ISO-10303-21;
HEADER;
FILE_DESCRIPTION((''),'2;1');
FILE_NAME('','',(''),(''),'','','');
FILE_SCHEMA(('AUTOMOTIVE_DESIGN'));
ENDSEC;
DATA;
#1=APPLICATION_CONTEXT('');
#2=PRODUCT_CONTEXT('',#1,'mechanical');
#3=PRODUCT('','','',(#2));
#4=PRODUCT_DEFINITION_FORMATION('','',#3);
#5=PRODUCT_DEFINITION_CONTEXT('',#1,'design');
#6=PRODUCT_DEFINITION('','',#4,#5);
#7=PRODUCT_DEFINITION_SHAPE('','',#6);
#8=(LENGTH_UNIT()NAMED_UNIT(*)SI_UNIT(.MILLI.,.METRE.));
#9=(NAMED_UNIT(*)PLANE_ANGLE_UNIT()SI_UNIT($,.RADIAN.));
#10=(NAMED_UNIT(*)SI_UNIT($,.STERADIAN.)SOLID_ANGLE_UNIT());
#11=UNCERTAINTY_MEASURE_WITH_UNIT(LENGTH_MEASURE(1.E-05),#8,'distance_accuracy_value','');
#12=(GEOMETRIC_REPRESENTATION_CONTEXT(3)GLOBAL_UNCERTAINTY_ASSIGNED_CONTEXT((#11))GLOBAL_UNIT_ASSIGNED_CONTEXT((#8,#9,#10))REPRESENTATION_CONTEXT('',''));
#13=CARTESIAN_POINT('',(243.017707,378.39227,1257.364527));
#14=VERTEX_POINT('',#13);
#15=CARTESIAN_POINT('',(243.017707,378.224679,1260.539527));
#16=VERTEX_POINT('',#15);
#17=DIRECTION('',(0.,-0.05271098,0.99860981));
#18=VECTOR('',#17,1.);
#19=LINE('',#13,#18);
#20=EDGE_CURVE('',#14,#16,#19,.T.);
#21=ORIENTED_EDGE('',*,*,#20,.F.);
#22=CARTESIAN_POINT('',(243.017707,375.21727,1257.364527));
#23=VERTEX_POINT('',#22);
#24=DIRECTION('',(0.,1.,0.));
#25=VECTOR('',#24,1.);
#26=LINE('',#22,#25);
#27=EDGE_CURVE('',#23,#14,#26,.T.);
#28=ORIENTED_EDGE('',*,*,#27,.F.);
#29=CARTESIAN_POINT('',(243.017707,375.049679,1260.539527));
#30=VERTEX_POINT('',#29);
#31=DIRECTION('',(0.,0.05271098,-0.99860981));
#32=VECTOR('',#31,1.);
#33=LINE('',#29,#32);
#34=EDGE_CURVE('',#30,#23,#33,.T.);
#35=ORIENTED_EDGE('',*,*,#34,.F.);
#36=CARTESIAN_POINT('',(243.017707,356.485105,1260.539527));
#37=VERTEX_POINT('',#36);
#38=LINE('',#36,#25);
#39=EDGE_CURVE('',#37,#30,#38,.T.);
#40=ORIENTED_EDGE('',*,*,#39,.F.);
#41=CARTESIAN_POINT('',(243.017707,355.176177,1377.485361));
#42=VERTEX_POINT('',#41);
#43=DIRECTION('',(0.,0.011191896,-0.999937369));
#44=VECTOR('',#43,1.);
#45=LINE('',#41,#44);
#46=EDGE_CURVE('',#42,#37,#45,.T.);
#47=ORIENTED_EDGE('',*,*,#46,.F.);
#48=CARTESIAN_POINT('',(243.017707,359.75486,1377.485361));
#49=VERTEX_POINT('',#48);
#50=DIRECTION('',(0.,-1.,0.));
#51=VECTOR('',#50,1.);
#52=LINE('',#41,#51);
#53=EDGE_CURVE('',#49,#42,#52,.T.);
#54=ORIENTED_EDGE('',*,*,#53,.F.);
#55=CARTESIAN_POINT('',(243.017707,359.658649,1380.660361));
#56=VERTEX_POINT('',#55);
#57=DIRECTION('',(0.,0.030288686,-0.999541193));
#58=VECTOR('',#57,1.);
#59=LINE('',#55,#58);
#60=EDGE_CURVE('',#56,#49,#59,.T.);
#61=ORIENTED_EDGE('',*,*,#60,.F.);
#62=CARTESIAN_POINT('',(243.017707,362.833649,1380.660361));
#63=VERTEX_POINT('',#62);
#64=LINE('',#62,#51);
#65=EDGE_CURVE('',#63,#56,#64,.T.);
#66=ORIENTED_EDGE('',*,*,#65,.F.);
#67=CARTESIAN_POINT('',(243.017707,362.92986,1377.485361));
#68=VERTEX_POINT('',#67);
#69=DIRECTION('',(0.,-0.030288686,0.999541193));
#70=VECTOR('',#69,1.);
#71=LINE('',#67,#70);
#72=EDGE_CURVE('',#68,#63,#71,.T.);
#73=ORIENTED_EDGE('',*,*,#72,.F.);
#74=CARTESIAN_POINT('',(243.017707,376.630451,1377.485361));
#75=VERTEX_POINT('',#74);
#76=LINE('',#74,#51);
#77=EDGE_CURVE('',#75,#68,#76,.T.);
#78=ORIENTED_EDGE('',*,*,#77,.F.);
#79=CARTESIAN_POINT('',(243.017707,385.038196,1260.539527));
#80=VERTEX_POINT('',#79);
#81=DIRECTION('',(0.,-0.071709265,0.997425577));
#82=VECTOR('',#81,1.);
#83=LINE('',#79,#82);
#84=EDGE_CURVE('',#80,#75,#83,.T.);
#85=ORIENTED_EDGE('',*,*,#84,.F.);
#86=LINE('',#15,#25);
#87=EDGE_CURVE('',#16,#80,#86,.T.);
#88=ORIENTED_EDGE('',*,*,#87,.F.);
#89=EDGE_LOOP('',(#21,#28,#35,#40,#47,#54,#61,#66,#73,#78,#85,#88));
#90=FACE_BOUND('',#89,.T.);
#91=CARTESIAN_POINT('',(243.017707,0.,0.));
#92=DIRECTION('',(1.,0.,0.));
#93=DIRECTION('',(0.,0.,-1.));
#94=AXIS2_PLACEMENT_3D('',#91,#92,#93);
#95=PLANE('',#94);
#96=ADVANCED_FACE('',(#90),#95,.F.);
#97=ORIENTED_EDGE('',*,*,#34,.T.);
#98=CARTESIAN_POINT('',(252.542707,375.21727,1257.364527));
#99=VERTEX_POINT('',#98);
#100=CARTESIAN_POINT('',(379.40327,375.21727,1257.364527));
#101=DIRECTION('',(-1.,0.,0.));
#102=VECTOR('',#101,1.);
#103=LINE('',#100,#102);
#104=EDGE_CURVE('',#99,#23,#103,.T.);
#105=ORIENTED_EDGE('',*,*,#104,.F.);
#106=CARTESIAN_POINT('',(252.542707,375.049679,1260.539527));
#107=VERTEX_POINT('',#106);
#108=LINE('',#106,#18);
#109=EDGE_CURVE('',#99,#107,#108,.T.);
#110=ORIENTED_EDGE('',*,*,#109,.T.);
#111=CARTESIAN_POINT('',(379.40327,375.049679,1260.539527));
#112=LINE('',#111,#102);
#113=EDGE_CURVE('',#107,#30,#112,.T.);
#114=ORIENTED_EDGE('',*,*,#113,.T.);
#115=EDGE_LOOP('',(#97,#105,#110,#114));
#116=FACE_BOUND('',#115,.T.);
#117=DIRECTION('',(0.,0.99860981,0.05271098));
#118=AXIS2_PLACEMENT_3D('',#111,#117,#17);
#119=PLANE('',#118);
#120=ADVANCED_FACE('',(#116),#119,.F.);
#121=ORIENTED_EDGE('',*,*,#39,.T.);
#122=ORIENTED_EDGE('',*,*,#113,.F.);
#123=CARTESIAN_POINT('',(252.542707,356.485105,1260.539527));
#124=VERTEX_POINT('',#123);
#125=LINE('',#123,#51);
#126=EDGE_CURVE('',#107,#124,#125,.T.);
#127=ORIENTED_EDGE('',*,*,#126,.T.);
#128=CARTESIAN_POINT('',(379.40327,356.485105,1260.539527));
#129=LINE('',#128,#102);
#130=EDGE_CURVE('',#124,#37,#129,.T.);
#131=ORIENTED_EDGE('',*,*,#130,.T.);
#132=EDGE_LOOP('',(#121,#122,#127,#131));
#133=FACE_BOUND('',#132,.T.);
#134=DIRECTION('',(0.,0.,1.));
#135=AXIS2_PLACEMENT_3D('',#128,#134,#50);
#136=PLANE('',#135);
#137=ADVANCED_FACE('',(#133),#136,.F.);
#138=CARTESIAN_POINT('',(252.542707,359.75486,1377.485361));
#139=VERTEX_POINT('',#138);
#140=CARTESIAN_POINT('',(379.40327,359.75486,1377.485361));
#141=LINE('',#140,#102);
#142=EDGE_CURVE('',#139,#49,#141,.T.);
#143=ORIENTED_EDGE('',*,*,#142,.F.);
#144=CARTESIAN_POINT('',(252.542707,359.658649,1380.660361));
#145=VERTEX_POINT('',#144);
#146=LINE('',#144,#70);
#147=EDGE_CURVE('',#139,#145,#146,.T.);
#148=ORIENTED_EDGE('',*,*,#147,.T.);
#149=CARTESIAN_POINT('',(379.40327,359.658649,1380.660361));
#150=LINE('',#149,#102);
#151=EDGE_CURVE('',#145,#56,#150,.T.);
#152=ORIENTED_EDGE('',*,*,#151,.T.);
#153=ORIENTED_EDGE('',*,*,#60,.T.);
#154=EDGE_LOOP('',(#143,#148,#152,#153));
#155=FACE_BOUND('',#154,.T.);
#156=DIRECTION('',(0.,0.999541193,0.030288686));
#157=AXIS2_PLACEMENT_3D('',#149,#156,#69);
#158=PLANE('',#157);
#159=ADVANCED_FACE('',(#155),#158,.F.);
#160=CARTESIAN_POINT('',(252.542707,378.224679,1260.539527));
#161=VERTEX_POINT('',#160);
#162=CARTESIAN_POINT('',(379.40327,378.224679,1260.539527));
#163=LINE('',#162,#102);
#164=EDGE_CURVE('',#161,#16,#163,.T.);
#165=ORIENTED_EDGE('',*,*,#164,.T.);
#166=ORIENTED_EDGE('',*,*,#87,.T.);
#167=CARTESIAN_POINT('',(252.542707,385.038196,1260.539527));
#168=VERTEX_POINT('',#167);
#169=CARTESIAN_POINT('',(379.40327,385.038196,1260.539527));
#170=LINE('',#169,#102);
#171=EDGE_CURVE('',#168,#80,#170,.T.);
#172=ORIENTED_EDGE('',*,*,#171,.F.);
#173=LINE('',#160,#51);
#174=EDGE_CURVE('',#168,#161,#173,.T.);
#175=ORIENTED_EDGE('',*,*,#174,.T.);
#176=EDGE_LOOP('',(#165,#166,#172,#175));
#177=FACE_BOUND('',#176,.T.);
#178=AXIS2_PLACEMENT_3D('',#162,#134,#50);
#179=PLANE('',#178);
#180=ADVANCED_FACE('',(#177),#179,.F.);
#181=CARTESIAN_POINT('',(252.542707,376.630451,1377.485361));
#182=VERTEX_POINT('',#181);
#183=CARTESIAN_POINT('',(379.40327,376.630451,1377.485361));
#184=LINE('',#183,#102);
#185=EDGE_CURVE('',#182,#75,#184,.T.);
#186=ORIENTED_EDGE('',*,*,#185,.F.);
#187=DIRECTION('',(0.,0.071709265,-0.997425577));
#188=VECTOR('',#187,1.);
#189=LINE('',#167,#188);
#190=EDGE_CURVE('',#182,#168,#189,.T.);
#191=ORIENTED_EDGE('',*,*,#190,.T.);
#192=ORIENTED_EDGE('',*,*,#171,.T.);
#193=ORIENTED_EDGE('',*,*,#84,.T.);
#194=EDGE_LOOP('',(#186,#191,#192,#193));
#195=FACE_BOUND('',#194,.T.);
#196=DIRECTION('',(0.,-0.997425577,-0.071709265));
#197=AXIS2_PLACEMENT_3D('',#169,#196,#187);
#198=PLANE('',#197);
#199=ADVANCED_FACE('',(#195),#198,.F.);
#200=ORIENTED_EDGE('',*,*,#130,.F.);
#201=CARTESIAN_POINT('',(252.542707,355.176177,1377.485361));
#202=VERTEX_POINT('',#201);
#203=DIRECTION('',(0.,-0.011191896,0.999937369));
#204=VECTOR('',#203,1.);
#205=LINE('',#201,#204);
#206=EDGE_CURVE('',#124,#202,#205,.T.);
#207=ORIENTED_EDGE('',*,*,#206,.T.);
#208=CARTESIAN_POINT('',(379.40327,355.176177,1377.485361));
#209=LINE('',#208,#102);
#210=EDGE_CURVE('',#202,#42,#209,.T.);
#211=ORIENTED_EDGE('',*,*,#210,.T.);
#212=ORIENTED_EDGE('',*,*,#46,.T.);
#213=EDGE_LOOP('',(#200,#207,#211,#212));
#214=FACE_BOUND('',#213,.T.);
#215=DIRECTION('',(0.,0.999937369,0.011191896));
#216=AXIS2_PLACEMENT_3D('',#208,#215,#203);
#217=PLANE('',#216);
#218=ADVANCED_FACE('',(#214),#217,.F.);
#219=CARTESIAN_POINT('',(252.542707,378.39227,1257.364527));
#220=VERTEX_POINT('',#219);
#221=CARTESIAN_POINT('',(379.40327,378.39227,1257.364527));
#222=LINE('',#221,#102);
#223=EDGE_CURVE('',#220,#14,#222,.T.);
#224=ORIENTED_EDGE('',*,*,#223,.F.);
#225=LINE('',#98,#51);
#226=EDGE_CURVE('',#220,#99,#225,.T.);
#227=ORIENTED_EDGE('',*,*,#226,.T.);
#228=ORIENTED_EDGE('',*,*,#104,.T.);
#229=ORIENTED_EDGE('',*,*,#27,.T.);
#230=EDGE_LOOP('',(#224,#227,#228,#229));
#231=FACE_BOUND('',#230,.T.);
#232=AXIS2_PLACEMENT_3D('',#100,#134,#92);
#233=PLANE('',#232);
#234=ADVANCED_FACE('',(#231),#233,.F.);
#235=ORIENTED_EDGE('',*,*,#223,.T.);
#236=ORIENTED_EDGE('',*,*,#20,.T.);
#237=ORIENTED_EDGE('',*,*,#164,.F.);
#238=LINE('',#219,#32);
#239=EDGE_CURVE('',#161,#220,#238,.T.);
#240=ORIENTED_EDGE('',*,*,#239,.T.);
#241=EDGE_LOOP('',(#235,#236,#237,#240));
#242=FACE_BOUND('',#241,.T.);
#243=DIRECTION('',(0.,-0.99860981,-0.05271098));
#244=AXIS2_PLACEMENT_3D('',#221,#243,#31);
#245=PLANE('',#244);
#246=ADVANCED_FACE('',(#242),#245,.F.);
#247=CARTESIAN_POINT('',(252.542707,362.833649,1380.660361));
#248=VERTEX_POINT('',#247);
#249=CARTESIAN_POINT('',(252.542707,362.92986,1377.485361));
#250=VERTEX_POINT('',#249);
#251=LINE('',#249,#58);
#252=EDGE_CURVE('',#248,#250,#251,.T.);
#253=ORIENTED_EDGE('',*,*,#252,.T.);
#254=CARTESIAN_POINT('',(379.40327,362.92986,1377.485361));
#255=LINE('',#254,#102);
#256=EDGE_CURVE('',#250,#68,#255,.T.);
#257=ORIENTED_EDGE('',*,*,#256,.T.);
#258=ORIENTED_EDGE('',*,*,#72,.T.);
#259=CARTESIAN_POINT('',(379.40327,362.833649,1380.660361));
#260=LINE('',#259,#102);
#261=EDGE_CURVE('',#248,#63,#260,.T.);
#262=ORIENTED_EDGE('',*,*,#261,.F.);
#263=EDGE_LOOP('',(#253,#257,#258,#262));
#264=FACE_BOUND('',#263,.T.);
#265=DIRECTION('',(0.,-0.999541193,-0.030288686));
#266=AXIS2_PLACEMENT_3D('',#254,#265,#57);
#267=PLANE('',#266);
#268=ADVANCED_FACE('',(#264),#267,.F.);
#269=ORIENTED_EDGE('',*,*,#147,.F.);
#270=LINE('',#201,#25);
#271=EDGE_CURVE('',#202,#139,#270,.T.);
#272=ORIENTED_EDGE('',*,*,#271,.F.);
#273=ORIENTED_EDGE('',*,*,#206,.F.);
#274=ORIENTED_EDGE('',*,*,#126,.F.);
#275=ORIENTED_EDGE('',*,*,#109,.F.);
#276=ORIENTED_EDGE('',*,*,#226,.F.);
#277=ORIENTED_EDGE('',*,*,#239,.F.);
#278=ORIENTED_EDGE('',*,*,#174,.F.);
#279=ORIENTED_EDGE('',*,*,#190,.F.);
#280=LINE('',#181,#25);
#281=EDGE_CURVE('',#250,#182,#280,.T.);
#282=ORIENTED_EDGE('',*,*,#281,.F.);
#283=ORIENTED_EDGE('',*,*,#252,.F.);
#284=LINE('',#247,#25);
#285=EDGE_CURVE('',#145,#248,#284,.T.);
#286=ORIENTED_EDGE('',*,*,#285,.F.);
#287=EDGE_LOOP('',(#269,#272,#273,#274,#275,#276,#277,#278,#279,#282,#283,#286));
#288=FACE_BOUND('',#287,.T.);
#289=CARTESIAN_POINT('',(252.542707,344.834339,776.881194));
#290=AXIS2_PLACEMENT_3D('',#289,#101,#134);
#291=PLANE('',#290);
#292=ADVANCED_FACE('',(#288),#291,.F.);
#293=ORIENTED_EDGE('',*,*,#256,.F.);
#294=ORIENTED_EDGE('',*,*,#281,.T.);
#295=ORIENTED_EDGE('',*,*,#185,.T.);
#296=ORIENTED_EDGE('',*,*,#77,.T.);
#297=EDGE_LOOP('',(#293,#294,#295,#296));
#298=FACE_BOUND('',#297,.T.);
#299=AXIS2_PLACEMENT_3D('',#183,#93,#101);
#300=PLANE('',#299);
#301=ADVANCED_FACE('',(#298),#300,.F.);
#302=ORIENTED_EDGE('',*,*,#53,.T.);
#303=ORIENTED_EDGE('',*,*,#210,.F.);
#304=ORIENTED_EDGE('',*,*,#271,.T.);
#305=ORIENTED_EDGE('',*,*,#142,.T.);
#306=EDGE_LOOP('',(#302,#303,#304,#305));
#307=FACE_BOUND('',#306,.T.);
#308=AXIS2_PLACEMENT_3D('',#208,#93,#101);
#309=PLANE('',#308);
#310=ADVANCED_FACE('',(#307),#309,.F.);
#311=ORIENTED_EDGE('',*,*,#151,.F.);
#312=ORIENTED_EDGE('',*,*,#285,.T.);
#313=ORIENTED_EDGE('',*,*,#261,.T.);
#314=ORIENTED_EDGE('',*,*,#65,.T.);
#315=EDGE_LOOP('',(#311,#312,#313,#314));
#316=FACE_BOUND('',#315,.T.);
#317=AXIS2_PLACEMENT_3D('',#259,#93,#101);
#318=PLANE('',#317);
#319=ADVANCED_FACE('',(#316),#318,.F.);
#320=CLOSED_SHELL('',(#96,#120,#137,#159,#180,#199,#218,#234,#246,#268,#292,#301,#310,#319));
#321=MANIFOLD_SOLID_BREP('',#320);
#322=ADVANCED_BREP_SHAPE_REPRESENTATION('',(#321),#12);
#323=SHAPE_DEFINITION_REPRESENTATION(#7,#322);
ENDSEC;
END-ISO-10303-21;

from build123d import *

# Parameters (mm, degrees)
BOSS_EXTRUDE1_DEPTH = 9.525


with BuildPart() as part:
    # Sketch1 → Boss-Extrude1 (new body)
    with BuildSketch(Plane(origin=(243.017706631, 0, 0), x_dir=(0, 0, -1), z_dir=(1, 0, 0))):
        Polygon((-1380.66036066, 362.833648863), (-1380.66036066, 359.658648863), (-1377.48536066, 359.754859582), (-1377.48536066, 355.176177259), (-1260.539527496, 356.485104863), (-1260.539527496, 375.049679307), (-1257.364527496, 375.21726965), (-1257.364527496, 378.39226965), (-1260.539527496, 378.224679307), (-1260.539527496, 385.038195502), (-1377.48536066, 376.630450656), (-1377.48536066, 362.929859582), align=None)
    extrude(amount=BOSS_EXTRUDE1_DEPTH)


solid = part.part
